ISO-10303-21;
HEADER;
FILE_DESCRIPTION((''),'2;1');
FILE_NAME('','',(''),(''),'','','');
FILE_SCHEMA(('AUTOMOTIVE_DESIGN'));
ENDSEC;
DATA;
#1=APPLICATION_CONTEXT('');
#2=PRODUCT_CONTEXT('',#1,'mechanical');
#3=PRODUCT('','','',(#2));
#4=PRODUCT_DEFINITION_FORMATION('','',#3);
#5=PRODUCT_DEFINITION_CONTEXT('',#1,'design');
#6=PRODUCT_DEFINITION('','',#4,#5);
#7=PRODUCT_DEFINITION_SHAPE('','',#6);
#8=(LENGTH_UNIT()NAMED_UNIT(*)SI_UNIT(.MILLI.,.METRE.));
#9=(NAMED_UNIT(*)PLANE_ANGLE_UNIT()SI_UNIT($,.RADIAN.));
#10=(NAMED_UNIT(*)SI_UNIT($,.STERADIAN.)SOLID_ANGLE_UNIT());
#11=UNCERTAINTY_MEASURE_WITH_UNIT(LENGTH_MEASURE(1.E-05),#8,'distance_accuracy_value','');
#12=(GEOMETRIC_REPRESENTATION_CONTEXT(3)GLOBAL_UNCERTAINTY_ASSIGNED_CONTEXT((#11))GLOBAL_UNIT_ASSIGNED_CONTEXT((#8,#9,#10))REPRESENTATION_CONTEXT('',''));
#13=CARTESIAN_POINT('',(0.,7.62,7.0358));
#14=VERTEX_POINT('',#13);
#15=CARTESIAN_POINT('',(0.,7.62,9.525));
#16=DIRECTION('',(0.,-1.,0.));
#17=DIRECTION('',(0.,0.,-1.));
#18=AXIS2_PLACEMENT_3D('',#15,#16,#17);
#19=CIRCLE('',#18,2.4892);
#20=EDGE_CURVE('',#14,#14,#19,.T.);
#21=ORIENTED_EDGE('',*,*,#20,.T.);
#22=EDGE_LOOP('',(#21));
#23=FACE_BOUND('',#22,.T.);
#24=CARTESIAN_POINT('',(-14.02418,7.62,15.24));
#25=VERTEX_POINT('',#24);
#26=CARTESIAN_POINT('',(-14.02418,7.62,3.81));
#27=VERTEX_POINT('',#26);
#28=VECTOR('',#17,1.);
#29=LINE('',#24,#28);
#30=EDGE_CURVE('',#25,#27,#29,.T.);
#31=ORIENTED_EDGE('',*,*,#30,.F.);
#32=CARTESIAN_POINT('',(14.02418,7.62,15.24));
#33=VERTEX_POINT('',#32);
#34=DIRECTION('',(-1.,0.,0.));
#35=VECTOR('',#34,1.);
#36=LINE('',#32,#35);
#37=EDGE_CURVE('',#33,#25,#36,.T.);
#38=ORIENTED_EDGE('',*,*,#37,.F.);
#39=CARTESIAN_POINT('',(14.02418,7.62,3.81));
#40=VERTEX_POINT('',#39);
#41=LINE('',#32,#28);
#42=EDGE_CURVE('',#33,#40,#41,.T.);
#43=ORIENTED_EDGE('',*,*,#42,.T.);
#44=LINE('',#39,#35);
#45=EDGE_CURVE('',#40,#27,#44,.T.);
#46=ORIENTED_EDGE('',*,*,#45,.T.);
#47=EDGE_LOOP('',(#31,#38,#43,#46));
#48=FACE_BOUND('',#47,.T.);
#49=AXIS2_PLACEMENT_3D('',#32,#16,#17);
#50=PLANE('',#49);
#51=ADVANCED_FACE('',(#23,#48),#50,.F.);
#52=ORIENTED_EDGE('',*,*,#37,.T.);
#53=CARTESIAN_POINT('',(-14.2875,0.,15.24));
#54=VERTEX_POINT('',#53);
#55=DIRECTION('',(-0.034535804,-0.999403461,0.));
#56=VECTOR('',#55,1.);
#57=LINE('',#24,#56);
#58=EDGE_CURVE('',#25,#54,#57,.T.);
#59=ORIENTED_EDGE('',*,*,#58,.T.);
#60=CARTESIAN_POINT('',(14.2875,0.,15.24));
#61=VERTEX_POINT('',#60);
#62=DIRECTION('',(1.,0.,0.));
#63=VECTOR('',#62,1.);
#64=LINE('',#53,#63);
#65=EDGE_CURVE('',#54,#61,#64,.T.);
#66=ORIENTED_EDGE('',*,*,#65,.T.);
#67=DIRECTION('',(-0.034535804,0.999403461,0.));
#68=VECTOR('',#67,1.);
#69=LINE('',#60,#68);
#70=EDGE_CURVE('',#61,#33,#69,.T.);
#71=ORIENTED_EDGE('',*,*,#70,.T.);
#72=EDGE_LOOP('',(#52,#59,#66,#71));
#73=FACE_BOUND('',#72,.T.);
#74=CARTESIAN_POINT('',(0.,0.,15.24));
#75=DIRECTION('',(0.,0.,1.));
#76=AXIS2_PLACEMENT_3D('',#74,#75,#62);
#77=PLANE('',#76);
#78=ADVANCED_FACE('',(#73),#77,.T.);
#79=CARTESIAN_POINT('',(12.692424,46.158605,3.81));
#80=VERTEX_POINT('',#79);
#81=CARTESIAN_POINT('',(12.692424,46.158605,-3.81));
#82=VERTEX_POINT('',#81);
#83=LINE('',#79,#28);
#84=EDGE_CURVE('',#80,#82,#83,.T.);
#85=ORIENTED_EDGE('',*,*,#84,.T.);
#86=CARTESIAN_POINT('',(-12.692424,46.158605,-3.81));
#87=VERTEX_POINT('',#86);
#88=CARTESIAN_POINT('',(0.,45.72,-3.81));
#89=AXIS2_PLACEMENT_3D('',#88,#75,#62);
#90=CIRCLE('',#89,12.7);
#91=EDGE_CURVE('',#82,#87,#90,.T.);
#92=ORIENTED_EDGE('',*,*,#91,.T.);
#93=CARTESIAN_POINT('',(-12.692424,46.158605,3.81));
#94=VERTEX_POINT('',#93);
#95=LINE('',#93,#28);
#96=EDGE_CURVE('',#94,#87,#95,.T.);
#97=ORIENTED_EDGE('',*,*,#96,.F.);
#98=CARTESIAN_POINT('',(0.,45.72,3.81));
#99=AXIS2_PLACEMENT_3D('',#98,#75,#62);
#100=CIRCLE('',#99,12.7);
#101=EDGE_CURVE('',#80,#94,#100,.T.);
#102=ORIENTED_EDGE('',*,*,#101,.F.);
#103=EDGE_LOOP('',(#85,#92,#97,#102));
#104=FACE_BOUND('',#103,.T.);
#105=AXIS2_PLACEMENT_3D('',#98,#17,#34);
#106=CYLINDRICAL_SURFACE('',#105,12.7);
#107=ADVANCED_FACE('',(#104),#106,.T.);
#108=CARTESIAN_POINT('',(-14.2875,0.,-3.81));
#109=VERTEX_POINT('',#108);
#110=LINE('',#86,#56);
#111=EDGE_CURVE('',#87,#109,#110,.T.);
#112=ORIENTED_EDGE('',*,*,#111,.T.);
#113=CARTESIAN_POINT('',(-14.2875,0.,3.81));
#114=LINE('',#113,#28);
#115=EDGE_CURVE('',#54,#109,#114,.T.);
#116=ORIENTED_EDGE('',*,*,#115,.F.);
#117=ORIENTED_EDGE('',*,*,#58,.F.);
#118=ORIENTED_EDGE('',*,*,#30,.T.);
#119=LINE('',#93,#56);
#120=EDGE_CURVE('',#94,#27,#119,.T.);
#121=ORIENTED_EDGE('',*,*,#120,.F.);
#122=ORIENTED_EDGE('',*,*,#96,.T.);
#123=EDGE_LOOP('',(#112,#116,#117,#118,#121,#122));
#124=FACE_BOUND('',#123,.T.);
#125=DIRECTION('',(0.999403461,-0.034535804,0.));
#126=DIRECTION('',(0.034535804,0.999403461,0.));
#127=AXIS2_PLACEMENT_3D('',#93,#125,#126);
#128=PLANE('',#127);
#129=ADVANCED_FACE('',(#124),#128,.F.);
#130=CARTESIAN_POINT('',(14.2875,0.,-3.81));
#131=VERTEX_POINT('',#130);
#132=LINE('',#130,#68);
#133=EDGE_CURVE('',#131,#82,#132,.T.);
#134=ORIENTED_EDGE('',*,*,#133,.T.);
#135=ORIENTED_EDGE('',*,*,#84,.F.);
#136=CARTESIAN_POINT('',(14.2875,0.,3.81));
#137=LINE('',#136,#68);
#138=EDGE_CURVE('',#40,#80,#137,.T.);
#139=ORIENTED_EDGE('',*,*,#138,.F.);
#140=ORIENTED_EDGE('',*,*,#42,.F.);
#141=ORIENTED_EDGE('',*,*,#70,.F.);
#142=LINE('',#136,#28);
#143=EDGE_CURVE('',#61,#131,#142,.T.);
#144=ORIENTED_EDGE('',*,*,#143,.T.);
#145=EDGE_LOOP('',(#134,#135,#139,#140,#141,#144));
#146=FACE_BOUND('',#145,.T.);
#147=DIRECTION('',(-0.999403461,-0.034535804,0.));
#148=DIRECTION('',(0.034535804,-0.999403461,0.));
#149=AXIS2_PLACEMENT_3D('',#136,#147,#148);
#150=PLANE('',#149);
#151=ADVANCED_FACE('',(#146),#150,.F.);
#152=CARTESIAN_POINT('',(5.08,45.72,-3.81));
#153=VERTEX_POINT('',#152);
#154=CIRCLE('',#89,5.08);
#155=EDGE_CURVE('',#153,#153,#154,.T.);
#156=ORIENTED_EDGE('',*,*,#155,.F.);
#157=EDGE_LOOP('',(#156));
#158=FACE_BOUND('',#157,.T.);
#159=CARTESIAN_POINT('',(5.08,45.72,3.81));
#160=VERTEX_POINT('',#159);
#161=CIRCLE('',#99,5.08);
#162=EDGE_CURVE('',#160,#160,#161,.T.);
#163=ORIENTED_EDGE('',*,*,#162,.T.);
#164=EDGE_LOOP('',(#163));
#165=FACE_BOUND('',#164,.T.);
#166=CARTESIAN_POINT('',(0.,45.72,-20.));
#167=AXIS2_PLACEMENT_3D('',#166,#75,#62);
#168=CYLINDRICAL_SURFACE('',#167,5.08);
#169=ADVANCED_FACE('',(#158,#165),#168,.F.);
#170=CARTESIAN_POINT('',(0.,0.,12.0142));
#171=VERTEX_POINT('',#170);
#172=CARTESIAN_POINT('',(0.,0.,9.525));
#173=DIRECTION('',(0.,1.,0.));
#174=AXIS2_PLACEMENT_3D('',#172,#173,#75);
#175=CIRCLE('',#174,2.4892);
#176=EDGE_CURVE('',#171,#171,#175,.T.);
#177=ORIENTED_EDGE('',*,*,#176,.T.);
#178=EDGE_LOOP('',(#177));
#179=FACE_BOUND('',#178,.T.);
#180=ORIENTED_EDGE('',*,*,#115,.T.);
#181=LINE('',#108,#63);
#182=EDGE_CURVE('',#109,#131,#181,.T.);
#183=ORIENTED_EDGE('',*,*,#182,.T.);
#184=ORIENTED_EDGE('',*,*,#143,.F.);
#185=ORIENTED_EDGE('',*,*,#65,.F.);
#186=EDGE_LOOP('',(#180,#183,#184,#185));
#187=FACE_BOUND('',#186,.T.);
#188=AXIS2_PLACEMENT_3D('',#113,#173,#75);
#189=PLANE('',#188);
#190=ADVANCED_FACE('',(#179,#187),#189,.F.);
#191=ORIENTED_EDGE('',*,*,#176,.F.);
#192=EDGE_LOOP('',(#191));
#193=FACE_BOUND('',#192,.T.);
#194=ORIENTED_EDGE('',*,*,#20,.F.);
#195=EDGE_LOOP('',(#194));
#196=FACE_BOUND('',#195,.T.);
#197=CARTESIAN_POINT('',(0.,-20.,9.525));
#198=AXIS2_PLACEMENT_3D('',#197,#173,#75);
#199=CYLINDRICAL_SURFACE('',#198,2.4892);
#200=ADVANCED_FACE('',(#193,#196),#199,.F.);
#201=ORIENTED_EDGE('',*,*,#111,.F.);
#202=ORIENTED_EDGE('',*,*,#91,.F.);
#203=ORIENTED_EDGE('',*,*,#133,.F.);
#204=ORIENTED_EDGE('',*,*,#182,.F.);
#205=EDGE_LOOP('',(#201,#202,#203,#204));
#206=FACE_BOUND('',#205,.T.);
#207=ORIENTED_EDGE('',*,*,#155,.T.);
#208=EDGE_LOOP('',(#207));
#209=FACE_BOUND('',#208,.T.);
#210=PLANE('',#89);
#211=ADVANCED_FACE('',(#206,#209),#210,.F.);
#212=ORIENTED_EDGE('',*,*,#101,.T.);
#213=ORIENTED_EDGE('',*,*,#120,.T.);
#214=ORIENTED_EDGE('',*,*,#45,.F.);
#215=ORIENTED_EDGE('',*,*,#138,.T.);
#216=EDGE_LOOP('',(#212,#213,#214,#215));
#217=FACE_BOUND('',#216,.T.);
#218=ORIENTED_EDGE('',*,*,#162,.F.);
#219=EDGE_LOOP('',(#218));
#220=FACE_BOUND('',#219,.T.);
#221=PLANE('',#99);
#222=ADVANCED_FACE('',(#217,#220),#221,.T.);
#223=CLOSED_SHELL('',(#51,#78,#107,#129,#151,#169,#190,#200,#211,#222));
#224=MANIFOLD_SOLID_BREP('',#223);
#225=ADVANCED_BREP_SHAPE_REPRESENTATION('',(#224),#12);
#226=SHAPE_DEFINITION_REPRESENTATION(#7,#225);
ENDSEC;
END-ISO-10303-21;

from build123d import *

# Parameters (mm, degrees)
BOSS_EXTRUDE1_DEPTH = 3.81
BOSS_EXTRUDE2_START = 3.81
BOSS_EXTRUDE2_DEPTH = 11.43
SKETCH3_R           = 5.08
CUT_EXTRUDE1_DEPTH  = 20
SKETCH4_R           = 2.4892
CUT_EXTRUDE2_DEPTH  = 20


with BuildPart() as part:
    # Sketch1 → Boss-Extrude1 (new, symmetric)
    with BuildSketch(Plane.XY):
        with BuildLine():
            Line((-14.2875, 0), (14.2875, 0))
            Line((14.2875, 0), (12.692423957, 46.158604709))
            ThreePointArc((12.692423957, 46.158604709), (0, 58.42), (-12.692423957, 46.158604709))
            Line((-12.692423957, 46.158604709), (-14.2875, 0))
        make_face()
    extrude(amount=BOSS_EXTRUDE1_DEPTH, both=True)

    # Sketch2 → Boss-Extrude2 (add)
    with BuildSketch(Plane.XY.offset(BOSS_EXTRUDE2_START)):
        Polygon((-14.2875, 0), (14.2875, 0), (14.024180094, 7.62), (-14.024180094, 7.62), align=None)
    extrude(amount=BOSS_EXTRUDE2_DEPTH)

    # Sketch3 → Cut-Extrude1 (cut, symmetric)
    with BuildSketch(Plane.XY):
        with Locations((0, 45.72)):
            Circle(SKETCH3_R)
    extrude(amount=CUT_EXTRUDE1_DEPTH, both=True, mode=Mode.SUBTRACT)

    # Sketch4 → Cut-Extrude2 (cut, symmetric)
    with BuildSketch(Plane(origin=(0, 0, 0), x_dir=(1, 0, 0), z_dir=(0, 1, 0))):
        with Locations(Location((0, -9.525, 0), (0, 0, 270))):
            Circle(SKETCH4_R)
    extrude(amount=CUT_EXTRUDE2_DEPTH, both=True, mode=Mode.SUBTRACT)


solid = part.part
